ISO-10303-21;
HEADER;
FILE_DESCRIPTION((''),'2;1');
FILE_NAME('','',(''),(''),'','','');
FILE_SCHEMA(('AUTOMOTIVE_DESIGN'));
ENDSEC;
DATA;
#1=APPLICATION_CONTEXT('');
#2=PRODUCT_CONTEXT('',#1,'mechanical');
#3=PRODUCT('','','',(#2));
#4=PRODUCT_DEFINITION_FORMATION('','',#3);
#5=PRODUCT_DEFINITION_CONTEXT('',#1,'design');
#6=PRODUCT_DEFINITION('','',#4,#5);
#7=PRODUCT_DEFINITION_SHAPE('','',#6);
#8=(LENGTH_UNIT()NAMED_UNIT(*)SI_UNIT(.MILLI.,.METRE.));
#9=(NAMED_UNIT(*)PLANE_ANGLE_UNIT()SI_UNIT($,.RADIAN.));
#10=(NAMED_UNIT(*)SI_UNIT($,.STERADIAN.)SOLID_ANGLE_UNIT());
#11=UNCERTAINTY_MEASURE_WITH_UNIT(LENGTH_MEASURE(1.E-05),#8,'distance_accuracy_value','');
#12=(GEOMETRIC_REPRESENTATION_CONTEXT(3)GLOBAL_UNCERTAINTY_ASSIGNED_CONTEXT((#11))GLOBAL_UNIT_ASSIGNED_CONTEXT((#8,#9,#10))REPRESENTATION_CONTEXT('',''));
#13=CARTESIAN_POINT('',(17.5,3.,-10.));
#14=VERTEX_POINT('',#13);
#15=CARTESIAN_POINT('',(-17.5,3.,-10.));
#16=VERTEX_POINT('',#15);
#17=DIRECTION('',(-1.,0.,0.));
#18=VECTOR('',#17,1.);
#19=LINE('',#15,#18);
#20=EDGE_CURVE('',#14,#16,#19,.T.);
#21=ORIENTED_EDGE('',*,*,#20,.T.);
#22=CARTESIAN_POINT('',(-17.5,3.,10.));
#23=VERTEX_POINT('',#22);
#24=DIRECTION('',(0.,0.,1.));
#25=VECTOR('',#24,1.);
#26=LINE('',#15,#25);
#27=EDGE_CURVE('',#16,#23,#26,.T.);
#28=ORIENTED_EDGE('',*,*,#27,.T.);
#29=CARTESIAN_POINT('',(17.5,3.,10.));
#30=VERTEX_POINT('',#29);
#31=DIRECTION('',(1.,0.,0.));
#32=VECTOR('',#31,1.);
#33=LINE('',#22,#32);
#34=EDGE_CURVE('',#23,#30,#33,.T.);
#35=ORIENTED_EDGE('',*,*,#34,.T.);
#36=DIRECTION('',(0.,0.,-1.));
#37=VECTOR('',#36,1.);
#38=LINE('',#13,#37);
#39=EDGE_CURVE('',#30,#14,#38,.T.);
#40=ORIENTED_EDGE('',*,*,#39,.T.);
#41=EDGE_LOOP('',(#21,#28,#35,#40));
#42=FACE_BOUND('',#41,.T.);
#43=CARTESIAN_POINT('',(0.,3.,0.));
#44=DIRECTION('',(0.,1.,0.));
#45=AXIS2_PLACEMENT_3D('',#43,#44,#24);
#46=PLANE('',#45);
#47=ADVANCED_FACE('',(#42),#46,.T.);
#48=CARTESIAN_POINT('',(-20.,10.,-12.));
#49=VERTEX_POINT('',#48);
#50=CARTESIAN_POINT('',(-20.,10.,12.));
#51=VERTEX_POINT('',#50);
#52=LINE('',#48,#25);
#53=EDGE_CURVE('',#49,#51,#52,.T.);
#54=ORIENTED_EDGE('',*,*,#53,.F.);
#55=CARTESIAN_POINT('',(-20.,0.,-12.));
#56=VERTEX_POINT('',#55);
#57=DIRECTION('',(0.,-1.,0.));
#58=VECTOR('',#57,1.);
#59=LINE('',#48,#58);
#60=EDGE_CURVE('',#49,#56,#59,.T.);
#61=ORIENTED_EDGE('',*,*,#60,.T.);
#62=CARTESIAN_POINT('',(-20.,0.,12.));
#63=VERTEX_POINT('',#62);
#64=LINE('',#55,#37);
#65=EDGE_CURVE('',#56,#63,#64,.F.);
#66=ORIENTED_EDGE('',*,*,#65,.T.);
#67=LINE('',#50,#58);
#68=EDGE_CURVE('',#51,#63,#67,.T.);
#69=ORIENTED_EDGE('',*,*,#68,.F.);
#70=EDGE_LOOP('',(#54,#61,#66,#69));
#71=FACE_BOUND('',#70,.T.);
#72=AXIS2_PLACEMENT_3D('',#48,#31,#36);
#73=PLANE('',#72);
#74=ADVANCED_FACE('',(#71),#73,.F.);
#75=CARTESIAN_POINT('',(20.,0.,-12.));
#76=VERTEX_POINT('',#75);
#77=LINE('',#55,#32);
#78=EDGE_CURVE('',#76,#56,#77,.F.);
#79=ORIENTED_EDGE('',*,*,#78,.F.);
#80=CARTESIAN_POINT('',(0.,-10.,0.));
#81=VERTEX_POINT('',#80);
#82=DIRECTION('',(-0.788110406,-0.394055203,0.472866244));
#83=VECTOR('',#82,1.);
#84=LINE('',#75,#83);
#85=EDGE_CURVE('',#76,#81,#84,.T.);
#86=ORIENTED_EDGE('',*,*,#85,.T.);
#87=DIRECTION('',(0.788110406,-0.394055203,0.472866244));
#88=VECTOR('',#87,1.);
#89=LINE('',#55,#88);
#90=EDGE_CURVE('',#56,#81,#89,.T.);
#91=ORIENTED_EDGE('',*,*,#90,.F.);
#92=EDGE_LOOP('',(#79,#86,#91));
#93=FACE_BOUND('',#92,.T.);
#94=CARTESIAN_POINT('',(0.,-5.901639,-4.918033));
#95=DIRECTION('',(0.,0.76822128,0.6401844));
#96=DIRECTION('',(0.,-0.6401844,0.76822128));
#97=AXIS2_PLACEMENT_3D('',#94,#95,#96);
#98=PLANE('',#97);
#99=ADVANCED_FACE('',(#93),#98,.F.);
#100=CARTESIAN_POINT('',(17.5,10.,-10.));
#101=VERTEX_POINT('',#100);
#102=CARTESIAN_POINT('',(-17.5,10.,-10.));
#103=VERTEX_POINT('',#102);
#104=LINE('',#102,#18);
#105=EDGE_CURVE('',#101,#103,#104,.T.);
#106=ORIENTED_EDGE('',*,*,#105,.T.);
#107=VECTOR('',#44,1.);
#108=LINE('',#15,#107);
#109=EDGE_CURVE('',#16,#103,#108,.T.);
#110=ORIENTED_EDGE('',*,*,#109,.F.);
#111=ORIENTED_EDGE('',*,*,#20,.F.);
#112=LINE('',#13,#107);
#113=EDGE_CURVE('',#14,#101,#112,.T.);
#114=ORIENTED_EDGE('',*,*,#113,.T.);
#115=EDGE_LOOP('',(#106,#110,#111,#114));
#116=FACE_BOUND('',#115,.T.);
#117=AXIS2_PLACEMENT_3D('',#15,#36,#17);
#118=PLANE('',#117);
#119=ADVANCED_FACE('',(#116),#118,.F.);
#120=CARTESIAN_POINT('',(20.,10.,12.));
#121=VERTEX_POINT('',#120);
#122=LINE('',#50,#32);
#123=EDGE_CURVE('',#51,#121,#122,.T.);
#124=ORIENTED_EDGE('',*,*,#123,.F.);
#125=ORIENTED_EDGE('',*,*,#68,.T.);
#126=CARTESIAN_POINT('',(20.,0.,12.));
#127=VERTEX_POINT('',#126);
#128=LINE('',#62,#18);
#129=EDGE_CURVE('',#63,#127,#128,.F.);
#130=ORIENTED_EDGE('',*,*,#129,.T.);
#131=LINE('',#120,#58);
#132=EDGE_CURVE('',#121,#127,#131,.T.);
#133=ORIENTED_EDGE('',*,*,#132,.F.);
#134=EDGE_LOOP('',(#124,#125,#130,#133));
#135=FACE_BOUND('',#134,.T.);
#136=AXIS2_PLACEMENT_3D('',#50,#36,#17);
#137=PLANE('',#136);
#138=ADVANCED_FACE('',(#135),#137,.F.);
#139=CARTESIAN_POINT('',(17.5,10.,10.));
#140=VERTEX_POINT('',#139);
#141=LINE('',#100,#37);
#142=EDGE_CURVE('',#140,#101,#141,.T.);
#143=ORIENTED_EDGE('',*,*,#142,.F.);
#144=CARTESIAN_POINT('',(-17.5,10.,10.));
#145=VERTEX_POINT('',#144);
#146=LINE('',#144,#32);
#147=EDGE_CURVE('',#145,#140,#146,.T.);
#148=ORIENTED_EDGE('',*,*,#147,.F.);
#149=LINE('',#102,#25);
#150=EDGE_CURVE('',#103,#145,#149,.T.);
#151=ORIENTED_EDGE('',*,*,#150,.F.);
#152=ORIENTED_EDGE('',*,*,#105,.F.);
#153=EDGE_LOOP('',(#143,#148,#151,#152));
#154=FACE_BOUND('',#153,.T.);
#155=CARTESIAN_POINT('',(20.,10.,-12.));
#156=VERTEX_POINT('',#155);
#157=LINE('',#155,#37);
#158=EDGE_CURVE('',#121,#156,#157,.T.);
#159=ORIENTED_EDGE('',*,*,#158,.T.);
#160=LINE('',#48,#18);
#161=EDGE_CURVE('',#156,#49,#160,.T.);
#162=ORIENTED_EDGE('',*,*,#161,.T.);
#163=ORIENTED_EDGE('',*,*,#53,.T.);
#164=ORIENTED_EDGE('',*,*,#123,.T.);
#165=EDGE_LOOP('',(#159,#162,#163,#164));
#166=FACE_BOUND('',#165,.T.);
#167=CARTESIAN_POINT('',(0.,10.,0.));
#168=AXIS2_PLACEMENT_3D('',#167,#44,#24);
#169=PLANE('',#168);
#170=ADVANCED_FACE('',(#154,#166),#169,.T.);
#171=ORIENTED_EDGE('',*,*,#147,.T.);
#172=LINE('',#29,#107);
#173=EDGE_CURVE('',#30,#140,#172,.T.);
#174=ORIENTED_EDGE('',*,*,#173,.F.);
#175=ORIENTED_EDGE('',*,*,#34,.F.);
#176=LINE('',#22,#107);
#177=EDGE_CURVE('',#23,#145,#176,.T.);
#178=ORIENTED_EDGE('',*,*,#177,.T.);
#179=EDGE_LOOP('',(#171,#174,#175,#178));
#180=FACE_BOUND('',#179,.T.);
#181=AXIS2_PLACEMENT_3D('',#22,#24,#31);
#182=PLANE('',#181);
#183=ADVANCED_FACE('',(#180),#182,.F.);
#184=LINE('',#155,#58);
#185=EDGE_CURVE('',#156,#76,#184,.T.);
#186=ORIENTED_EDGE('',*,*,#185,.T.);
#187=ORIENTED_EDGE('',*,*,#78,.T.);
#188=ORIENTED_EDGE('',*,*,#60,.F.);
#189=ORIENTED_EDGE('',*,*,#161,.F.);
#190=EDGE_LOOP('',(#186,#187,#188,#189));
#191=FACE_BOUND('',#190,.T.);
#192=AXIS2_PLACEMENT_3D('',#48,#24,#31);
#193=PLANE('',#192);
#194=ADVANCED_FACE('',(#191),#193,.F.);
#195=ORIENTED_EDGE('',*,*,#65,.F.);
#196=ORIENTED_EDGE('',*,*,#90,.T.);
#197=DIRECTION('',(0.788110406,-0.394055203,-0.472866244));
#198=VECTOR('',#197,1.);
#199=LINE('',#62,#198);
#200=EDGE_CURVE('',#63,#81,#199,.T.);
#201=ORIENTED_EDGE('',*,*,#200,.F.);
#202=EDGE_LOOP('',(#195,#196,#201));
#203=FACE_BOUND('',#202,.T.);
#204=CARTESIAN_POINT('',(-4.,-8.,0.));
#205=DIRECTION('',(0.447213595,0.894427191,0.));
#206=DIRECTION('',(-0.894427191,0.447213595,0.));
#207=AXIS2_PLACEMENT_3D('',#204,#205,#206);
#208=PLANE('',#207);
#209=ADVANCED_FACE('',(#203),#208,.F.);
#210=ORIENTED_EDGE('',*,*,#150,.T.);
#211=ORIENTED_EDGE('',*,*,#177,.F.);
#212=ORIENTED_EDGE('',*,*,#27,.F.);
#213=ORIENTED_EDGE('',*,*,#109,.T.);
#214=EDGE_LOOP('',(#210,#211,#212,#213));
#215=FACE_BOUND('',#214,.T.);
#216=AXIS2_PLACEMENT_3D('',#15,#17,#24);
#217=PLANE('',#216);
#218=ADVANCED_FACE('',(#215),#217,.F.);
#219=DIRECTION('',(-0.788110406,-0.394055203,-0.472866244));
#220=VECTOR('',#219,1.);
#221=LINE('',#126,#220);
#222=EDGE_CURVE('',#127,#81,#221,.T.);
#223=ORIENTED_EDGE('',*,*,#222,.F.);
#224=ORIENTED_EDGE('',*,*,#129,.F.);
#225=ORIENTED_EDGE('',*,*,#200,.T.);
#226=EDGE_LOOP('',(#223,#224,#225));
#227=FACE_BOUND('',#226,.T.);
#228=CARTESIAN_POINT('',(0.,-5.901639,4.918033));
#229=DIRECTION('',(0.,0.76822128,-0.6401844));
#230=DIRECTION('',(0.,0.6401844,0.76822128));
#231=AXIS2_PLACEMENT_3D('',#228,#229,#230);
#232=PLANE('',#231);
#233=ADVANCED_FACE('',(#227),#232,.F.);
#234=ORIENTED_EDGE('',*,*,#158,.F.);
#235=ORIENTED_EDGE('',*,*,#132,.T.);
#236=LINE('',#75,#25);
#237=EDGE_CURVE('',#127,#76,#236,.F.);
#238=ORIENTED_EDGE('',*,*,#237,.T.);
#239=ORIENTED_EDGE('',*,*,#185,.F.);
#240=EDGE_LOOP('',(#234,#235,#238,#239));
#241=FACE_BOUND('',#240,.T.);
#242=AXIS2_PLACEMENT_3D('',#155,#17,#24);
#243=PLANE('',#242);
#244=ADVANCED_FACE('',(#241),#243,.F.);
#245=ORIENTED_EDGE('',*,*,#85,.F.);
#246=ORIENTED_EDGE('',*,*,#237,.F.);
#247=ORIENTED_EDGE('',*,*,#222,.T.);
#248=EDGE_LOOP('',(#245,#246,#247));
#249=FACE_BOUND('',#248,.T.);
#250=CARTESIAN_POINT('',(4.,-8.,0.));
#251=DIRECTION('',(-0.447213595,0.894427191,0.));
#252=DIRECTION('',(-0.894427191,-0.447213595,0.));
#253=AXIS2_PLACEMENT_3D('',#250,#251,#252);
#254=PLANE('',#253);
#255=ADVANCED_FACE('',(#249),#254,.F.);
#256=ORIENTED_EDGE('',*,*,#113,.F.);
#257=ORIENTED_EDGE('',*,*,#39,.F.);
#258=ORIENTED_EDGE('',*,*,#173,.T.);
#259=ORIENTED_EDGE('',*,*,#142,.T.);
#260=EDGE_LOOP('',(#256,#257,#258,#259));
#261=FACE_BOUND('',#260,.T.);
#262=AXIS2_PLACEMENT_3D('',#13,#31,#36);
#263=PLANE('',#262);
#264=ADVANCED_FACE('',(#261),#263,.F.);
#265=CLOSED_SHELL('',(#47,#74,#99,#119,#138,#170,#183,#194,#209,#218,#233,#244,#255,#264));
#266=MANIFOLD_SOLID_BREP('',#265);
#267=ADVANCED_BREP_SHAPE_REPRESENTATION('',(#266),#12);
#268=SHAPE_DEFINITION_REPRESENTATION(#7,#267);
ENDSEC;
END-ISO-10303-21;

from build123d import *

# Parameters (mm, degrees)
SKETCH2_W           = 40
SKETCH2_H           = 24
BOSS_EXTRUDE1_DEPTH = 10
SKETCH3_W           = 35
SKETCH3_H           = 20
CUT_EXTRUDE1_DEPTH  = 7


with BuildPart() as part:
    # Sketch2 → Boss-Extrude1 (new body)
    with BuildSketch(Plane(origin=(0, 0, 0), x_dir=(1, 0, 0), z_dir=(0, 1, 0))):
        Rectangle(SKETCH2_W, SKETCH2_H)
    extrude(amount=BOSS_EXTRUDE1_DEPTH)

    # Sketch3 → Cut-Extrude1 (cut)
    with BuildSketch(Plane(origin=(0, 10, 0), x_dir=(1, 0, 0), z_dir=(0, 1, 0))):
        Rectangle(SKETCH3_W, SKETCH3_H)
    extrude(amount=-CUT_EXTRUDE1_DEPTH, mode=Mode.SUBTRACT)

    # Sketch9 → Loft1 section 0
    with BuildSketch(Plane.XZ, mode=Mode.PRIVATE) as loft1_s0:
        with BuildLine():
            Line((20, -12), (-20, -12))
            Line((-20, -12), (-20, 12))
            Line((-20, 12), (20, 12))
            Line((20, 12), (20, -12))
        make_face()
    loft([loft1_s0.sketch, Vertex(0, -10, 0)])


solid = part.part
